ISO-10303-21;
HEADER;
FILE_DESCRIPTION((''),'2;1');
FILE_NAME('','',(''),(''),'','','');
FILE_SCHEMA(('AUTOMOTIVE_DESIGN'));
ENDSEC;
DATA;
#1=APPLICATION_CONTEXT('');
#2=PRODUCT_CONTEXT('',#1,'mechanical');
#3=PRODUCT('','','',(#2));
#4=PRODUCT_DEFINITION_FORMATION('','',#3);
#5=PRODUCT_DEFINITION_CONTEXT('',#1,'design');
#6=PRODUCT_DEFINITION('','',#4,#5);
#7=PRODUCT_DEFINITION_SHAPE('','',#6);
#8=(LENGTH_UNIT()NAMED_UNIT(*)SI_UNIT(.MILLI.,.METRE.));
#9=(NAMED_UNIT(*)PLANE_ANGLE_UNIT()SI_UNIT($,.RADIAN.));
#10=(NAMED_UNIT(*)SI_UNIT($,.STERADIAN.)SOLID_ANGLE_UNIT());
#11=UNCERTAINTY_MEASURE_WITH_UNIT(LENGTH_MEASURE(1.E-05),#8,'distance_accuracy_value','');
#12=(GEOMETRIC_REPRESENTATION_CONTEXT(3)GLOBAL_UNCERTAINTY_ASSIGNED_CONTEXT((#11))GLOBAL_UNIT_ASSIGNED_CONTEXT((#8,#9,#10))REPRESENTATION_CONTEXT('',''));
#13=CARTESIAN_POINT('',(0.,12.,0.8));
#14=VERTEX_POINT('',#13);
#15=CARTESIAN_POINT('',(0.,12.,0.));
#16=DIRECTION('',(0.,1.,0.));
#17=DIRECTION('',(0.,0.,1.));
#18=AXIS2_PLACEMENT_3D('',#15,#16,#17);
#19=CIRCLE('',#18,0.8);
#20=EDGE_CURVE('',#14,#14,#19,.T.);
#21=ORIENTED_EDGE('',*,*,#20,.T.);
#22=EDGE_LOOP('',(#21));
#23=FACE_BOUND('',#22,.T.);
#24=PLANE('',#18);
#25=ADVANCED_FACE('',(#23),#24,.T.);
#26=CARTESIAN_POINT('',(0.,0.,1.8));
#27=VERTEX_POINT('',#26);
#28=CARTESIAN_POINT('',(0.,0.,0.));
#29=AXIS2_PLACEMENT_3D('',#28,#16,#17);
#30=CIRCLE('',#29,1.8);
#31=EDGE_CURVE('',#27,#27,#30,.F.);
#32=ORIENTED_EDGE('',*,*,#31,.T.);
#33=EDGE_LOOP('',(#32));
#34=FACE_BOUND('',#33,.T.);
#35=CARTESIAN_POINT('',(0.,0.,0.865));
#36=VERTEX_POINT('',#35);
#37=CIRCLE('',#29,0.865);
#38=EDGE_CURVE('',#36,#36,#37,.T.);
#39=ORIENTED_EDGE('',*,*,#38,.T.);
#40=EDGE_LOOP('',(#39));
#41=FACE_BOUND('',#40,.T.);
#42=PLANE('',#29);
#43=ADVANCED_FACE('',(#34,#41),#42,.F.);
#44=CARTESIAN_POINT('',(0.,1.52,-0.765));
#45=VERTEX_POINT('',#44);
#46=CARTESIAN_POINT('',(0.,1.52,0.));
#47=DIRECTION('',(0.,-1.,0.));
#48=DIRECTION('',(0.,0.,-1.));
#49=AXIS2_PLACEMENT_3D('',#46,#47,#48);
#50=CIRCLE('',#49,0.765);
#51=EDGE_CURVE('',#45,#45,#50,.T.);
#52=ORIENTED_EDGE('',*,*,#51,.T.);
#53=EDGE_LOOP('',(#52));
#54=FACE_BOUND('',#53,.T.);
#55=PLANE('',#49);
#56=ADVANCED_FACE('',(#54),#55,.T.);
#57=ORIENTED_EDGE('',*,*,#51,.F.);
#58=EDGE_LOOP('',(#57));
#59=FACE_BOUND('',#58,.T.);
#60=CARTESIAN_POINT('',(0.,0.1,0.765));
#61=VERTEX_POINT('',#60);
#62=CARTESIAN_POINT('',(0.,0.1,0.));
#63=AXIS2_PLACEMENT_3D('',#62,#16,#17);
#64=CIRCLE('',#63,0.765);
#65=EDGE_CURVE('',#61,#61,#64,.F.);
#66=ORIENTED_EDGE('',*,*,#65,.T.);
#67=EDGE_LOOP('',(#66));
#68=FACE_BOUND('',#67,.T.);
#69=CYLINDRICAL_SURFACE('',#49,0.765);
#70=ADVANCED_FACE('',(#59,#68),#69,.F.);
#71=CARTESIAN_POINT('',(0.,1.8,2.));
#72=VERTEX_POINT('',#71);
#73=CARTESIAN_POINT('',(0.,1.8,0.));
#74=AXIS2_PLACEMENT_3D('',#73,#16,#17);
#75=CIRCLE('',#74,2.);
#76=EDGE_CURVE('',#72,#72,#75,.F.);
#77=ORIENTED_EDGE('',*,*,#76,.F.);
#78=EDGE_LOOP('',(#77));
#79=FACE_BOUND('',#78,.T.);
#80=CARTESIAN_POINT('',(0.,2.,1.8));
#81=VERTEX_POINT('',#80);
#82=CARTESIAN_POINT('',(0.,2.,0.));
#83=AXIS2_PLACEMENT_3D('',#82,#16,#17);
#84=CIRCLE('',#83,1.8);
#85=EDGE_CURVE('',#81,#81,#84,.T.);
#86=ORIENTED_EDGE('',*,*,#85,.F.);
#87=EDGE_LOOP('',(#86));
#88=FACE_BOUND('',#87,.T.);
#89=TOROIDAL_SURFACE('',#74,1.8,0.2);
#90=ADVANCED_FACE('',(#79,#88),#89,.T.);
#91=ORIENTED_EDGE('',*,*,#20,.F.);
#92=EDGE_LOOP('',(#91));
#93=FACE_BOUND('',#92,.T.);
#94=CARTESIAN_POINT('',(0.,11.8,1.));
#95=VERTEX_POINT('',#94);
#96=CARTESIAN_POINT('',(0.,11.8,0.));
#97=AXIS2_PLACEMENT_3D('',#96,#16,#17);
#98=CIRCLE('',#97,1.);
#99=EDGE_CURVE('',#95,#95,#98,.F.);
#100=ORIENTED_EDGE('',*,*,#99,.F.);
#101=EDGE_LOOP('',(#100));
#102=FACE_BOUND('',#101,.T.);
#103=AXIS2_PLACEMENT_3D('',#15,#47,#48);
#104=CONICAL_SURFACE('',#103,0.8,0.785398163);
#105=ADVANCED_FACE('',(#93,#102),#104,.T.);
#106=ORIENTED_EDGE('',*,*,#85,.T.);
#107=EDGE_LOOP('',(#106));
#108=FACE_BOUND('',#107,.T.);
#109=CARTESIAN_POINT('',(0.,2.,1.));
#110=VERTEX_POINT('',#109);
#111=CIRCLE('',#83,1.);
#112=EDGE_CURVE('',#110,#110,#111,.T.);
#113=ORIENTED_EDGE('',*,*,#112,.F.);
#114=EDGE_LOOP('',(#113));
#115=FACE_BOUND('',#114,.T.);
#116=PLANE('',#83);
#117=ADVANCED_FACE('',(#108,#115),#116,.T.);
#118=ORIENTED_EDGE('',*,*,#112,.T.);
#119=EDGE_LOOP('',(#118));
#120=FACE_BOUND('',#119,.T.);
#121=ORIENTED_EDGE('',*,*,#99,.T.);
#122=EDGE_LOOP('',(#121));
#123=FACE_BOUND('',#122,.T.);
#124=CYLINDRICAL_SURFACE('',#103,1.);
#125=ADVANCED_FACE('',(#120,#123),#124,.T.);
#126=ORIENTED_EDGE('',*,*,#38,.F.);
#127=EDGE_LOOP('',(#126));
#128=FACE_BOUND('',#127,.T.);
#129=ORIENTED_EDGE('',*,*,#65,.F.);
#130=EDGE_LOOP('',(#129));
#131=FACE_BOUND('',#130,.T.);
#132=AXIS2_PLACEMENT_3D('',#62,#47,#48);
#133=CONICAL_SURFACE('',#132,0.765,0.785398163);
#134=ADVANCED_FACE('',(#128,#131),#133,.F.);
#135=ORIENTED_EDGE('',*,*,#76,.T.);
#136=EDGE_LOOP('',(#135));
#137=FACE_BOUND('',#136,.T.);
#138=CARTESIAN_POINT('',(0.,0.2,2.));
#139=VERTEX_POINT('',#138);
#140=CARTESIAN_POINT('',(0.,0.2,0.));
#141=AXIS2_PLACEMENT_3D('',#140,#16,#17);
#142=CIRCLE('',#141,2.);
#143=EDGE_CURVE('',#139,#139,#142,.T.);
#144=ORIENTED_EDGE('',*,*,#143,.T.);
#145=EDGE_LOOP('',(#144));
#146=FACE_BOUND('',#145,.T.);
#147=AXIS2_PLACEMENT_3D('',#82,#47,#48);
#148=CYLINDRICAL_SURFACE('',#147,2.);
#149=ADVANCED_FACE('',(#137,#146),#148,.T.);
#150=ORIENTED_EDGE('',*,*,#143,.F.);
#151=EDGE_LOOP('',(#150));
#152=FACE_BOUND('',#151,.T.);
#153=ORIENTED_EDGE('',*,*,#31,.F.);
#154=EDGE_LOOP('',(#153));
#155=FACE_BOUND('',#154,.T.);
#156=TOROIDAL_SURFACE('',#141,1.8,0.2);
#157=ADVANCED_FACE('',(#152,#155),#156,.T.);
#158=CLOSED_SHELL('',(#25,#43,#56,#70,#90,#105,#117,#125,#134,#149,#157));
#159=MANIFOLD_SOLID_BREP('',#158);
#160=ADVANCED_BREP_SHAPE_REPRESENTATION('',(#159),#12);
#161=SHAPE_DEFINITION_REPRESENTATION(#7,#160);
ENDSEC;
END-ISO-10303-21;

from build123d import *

# Parameters (mm, degrees)
SKETCH_2_R          = 2
EXTRUDE_1_DEPTH     = 2
SKETCH_3_R          = 1
EXTRUDE_2_DEPTH     = 10
FILLET_1_R          = 0.2
SKETCH_4_R          = 0.765
CUT_EXTRUDE_1_DEPTH = 1.52
CHAMFER_1_SIZE      = 0.1
CHAMFER_2_SIZE      = 0.2


with BuildPart() as part:
    # 草图2 → 凸台-拉伸1 (new body)
    with BuildSketch(Plane(origin=(0, 0, 0), x_dir=(1, 0, 0), z_dir=(0, 1, 0))):
        with Locations(Location((0, 0, 0), (0, 0, 270))):
            Circle(SKETCH_2_R)
    extrude(amount=EXTRUDE_1_DEPTH)

    # 草图3 → 凸台-拉伸2 (add)
    with BuildSketch(Plane(origin=(0, 2, 0), x_dir=(1, 0, 0), z_dir=(0, 1, 0))):
        with Locations(Location((0, 0, 0), (0, 0, 270))):
            Circle(SKETCH_3_R)
    extrude(amount=EXTRUDE_2_DEPTH)

    # 圆角1
    fillet_1_edges = [part.edges().sort_by_distance(p)[0] for p in [
        (0, 0, -2),
        (0, 2, -2),
    ]]
    fillet(fillet_1_edges, radius=FILLET_1_R)

    # 草图4 → 切除-拉伸1 (cut)
    with BuildSketch(Plane.XZ):
        with Locations(Location((0, 0, 0), (0, 0, 270))):
            Circle(SKETCH_4_R)
    extrude(amount=-CUT_EXTRUDE_1_DEPTH, mode=Mode.SUBTRACT)

    # 倒角1
    chamfer_1_edges = [part.edges().sort_by_distance(p)[0] for p in [
        (0, 0, 0.765),
    ]]
    chamfer(chamfer_1_edges, length=CHAMFER_1_SIZE)

    # 倒角2
    chamfer_2_edges = [part.edges().sort_by_distance(p)[0] for p in [
        (0, 12, -1),
    ]]
    chamfer(chamfer_2_edges, length=CHAMFER_2_SIZE)


solid = part.part
